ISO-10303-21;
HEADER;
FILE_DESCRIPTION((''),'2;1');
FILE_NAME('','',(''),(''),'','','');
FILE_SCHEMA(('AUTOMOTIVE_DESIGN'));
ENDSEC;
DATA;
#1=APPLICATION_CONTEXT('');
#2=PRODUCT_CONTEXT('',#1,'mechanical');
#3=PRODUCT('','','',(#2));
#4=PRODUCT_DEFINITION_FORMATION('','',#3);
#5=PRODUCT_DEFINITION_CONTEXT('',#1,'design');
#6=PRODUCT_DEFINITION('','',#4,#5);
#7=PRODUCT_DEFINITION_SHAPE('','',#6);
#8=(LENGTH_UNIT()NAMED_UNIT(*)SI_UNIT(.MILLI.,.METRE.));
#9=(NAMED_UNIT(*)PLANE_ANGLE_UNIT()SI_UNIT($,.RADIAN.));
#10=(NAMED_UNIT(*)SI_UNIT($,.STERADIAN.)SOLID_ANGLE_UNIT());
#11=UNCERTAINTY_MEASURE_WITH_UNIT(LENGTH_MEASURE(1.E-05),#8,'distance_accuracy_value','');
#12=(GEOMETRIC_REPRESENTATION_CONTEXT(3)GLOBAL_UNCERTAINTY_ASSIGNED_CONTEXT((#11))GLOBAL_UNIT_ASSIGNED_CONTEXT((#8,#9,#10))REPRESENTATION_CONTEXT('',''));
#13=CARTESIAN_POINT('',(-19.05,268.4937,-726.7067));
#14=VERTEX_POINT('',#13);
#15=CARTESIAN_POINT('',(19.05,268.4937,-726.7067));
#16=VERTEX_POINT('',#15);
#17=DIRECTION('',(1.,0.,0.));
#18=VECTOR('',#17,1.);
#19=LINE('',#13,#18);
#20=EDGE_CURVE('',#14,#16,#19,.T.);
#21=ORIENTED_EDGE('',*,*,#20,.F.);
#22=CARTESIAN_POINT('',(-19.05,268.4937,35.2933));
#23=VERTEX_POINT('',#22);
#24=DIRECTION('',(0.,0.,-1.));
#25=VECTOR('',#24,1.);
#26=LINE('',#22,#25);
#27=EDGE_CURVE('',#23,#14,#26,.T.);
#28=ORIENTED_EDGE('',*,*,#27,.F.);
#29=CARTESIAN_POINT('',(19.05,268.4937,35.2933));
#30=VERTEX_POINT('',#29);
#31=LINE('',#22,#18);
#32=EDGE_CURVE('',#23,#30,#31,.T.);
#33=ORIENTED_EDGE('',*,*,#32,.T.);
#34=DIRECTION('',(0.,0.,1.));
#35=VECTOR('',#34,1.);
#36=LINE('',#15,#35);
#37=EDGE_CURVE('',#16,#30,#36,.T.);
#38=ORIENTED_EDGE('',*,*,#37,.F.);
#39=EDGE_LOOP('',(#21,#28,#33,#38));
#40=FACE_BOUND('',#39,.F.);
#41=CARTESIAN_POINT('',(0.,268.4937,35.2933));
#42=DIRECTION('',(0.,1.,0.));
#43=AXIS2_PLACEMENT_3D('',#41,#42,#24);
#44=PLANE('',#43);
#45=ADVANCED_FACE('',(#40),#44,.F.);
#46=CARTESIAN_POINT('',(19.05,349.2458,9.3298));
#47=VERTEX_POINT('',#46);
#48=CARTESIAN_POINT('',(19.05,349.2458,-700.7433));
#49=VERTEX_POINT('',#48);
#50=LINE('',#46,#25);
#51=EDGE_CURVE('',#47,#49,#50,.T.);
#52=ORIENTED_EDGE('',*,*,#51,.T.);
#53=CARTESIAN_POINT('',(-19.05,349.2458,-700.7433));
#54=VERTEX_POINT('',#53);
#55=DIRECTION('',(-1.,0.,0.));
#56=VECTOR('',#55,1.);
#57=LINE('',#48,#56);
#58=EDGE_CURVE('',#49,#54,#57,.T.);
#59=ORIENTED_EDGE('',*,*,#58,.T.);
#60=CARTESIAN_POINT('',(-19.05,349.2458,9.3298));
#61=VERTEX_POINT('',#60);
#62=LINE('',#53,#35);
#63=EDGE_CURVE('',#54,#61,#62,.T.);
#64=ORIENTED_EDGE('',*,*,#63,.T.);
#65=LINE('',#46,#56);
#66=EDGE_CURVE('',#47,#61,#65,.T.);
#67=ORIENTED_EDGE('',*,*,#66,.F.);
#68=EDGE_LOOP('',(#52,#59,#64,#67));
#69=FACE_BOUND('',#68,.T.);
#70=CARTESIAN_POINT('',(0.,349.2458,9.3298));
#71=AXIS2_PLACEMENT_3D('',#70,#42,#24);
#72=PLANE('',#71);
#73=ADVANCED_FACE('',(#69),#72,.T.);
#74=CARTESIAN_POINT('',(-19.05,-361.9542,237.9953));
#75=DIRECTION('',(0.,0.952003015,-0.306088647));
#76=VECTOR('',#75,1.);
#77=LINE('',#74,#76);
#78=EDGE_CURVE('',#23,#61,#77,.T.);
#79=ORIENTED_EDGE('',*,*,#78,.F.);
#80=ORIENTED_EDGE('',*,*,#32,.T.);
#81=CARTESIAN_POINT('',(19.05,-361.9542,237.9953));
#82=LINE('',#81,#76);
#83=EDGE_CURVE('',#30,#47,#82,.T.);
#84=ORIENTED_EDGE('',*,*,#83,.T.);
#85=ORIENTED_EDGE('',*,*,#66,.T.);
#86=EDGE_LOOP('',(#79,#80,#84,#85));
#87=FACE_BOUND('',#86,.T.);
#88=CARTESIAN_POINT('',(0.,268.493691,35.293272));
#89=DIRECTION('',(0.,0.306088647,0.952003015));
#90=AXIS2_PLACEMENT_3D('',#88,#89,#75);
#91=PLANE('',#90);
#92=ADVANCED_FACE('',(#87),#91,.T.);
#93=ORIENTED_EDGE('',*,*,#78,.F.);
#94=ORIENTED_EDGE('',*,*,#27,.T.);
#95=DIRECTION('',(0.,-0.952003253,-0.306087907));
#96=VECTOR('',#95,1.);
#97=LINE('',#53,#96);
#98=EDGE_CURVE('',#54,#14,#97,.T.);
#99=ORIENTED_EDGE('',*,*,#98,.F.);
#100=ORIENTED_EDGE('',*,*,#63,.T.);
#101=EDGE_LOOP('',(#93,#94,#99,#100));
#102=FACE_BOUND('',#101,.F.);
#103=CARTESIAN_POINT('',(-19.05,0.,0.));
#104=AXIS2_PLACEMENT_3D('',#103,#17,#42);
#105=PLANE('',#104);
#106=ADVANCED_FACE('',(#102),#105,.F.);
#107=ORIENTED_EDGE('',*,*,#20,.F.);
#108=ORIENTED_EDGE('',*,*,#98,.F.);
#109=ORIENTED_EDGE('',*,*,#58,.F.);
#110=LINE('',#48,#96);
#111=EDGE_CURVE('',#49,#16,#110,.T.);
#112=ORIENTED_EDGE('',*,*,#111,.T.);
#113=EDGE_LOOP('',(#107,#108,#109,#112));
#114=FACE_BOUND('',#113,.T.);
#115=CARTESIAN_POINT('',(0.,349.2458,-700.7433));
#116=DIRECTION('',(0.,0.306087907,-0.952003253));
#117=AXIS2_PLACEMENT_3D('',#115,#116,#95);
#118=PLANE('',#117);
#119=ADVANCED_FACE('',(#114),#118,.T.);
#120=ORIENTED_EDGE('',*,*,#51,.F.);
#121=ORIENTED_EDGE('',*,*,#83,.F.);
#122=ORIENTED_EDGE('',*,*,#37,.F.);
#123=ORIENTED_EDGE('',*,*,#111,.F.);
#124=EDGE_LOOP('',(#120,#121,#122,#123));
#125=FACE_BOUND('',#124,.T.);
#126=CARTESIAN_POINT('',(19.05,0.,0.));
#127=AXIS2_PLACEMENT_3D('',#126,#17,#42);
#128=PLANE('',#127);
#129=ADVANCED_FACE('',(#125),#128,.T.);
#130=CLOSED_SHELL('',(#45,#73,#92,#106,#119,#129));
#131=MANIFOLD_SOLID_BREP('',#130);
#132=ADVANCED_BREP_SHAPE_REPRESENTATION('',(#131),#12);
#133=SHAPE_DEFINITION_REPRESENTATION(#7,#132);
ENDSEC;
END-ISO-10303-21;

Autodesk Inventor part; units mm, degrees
ref_plane "YZ Plane" through (0, 0, 0) normal (1, 0, 0) x (0, 1, 0)
ref_plane "XZ Plane" through (0, 0, 0) normal (0, 1, 0) x (-1, 0, 0)
ref_plane "XY Plane" through (0, 0, 0) normal (0, 0, 1) x (1, 0, 0)
sketch "Sketch1" plane through (0, 0, 0) normal (1, 0, 0) x (0, 1, 0)
  line L0 (-361.9542, 237.9953) -> (349.2458, 9.3298) projected
  line L1 (349.2458, 9.3298) -> (268.4937, 35.2933)
  line L2 (268.4937, 35.2933) -> (268.4937, -345.7067)
  line L3 (349.2458, 9.3298) -> (349.2458, -345.7067)
  line L4 (349.2458, -345.7067) -> (268.4937, -345.7067)
  line L5 (268.4937, -726.7067) -> (268.4937, -345.7067)
  line L6 (349.2458, -700.7433) -> (349.2458, -345.7067)
  line L7 (349.2458, -700.7433) -> (268.4937, -726.7067)
  point P0 (0, 0)
  dimension "d0" = 381
  dimension "d1" = 80.7521
extrude "Extrusion1" add sketch "Sketch1" along normal mid plane 38.1
properties part number "LegConnector_1"
